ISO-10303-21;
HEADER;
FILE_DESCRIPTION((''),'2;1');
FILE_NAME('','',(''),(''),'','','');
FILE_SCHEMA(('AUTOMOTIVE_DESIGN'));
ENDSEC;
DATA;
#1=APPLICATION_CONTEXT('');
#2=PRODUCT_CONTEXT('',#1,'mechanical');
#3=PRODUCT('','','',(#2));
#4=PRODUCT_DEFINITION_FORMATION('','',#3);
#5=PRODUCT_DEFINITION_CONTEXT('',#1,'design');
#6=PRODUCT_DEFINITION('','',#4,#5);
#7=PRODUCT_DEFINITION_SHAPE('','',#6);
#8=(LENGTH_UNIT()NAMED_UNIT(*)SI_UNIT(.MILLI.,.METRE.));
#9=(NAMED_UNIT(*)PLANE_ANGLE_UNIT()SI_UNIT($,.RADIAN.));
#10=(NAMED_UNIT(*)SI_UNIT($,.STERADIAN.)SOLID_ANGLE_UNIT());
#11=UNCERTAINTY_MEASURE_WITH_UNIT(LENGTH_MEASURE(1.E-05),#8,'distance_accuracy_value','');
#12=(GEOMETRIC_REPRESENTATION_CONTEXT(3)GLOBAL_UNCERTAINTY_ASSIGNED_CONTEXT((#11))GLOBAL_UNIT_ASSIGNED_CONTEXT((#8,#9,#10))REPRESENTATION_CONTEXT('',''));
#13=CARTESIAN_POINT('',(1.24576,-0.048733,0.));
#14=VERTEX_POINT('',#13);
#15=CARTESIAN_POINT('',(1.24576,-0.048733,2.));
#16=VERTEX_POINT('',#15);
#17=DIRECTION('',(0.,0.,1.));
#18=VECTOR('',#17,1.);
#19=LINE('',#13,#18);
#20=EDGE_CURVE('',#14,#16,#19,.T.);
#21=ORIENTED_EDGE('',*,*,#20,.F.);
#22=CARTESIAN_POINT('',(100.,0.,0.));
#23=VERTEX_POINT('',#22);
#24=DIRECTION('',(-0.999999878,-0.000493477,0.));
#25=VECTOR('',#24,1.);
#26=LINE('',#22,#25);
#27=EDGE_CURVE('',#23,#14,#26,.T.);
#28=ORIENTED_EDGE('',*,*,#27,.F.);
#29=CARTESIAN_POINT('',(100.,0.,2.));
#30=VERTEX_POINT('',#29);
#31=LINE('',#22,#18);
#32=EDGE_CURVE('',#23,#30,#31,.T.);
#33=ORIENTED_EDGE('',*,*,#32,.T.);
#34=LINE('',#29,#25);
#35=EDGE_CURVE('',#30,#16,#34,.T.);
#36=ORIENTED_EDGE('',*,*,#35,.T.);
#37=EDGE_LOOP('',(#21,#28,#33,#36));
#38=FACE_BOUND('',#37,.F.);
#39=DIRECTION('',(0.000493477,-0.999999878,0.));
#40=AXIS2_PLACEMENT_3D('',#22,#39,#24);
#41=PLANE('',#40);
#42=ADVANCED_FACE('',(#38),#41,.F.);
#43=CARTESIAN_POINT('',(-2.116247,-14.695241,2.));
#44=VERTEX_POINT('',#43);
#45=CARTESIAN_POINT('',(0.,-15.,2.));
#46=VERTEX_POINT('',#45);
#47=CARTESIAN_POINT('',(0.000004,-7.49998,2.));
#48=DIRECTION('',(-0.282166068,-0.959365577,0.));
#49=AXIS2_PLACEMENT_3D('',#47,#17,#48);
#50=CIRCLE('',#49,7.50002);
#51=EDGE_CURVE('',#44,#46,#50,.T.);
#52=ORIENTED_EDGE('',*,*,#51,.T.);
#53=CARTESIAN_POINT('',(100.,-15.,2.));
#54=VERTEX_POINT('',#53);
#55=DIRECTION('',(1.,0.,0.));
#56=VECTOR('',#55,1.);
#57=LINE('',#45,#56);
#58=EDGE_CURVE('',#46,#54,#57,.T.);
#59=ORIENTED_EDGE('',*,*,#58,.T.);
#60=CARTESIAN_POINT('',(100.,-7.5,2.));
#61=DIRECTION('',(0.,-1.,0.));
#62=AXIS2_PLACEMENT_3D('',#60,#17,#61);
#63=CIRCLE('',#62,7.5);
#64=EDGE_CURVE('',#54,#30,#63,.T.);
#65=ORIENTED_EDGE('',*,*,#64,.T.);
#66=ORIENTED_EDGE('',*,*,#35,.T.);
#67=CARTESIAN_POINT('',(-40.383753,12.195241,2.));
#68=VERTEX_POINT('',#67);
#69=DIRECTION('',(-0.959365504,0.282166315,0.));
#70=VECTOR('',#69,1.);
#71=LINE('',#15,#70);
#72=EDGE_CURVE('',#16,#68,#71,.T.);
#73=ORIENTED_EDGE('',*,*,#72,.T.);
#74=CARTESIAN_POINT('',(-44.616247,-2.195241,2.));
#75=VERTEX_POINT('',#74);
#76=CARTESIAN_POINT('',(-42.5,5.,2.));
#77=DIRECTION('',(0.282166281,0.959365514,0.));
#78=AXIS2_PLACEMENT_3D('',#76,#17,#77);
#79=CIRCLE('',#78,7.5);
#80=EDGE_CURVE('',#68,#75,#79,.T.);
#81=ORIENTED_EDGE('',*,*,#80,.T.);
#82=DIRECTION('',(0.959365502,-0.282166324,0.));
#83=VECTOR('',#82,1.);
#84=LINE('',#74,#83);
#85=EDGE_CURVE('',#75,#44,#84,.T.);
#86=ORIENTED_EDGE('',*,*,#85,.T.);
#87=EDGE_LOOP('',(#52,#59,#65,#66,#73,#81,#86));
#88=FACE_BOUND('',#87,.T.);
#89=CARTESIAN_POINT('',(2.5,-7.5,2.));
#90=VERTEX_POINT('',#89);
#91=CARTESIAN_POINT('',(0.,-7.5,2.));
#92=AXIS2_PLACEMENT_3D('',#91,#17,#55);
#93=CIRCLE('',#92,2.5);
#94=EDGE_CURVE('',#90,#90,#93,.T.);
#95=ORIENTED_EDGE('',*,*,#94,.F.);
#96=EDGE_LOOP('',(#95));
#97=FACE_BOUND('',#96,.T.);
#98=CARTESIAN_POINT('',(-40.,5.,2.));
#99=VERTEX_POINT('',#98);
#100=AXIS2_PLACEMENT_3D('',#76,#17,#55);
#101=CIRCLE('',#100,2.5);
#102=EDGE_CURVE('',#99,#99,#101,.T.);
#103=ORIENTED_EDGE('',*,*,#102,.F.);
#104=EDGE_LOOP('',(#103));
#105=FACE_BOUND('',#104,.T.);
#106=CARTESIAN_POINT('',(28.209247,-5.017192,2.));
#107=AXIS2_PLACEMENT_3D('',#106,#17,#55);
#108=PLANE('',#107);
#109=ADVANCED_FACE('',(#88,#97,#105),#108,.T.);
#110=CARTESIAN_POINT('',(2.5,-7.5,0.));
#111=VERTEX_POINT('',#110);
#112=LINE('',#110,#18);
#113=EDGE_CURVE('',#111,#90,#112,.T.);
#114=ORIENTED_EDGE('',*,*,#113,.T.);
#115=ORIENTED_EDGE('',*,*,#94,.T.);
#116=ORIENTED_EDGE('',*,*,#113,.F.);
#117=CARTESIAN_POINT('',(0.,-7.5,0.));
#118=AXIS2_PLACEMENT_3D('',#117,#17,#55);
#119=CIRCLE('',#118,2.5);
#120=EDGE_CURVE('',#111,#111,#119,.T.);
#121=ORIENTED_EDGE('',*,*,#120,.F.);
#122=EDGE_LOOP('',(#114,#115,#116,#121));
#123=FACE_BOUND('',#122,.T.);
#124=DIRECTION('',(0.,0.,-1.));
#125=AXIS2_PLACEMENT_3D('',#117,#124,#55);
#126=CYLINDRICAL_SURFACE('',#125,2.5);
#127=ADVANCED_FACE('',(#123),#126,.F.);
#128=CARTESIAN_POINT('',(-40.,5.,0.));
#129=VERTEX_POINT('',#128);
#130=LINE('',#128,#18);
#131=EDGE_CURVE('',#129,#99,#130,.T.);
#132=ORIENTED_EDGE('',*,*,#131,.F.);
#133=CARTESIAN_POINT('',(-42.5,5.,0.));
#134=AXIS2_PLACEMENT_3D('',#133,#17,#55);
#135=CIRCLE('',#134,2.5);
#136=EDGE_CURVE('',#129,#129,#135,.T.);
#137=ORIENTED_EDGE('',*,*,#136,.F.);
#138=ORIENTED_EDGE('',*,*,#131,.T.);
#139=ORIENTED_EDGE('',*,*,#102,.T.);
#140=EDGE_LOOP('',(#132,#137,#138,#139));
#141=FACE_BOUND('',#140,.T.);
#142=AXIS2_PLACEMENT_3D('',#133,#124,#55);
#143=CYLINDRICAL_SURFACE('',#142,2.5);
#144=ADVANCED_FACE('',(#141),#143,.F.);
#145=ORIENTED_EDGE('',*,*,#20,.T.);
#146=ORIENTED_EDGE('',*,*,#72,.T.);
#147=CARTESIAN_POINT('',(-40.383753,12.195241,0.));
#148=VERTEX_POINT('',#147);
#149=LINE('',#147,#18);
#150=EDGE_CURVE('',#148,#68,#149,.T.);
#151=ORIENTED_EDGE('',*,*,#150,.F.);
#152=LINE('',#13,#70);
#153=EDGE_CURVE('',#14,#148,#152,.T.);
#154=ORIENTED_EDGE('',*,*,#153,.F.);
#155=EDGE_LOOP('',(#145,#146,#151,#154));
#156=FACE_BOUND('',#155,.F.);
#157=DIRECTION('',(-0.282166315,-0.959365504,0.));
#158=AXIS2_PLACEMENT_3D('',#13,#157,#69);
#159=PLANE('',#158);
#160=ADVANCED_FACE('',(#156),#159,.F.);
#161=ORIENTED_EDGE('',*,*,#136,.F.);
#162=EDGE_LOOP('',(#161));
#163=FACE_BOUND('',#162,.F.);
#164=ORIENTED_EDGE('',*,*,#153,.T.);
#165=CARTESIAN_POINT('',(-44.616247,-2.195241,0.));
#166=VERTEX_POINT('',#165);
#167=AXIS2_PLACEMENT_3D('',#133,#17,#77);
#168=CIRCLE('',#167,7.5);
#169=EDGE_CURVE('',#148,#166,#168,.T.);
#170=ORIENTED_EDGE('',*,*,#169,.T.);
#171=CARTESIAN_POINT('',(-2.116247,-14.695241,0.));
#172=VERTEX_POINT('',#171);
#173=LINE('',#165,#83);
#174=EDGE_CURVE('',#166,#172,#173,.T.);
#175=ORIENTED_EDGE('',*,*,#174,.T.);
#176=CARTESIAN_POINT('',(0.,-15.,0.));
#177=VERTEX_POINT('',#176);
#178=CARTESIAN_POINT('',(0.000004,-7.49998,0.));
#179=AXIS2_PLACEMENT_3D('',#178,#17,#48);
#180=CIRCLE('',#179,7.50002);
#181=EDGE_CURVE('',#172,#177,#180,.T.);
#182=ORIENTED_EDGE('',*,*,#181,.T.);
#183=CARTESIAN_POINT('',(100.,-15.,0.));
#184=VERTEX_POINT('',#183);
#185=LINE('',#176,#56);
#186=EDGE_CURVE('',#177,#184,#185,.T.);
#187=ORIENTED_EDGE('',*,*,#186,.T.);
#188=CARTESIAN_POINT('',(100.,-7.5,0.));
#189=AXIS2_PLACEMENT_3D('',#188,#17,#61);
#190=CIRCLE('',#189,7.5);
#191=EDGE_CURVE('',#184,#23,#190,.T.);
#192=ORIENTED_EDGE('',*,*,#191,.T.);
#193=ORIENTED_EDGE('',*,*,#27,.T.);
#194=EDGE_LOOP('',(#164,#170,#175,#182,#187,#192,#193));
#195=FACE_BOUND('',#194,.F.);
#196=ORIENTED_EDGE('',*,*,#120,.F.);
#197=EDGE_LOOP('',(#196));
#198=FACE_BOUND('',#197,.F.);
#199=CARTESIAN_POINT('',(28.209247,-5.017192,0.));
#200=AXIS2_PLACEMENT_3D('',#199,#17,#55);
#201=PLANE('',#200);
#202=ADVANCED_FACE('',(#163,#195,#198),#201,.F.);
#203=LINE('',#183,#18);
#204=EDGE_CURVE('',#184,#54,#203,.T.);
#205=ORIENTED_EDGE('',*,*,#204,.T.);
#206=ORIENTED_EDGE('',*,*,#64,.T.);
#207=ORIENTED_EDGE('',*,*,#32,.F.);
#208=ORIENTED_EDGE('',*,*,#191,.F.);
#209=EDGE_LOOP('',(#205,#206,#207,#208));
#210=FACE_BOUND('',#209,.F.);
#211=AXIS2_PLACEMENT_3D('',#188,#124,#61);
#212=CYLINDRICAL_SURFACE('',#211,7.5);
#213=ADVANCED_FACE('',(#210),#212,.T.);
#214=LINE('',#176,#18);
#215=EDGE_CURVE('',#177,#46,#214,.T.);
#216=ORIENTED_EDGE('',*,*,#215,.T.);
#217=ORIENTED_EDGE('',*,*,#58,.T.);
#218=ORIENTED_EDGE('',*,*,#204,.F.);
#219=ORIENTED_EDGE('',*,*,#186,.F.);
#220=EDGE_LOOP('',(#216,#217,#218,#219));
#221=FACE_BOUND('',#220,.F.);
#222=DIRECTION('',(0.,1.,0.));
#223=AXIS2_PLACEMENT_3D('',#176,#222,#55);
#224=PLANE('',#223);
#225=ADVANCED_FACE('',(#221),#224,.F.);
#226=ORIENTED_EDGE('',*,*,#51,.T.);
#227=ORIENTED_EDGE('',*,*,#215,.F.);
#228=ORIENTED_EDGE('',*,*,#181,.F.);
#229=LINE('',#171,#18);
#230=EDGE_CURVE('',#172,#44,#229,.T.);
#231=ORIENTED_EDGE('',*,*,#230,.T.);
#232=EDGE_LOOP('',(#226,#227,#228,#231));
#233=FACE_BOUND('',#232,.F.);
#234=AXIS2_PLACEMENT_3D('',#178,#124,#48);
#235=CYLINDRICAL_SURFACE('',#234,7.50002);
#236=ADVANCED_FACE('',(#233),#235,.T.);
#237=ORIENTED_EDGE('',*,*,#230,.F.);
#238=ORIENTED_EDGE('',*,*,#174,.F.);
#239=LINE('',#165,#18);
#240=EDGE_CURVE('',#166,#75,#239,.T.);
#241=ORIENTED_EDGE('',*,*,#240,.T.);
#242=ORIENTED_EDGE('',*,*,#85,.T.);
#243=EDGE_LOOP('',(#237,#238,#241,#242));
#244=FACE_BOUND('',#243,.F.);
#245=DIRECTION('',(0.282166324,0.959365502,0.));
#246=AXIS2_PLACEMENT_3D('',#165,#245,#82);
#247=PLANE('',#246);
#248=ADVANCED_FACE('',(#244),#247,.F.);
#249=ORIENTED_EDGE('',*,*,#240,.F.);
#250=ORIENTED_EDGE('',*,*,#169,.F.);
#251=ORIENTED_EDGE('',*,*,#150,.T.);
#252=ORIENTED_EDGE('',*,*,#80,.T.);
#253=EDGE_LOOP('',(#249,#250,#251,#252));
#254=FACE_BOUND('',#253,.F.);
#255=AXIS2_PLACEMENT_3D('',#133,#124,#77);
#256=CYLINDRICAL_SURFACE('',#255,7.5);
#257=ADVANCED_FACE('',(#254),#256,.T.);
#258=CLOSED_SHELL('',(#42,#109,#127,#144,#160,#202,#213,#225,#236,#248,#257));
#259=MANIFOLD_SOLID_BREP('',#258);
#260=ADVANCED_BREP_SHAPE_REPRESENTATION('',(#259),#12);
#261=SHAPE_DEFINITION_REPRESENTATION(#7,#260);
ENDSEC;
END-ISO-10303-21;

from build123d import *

# Parameters (mm, degrees)
F0_R     = 2.5
F1_DEPTH = 2


with BuildPart() as f1:
    # F0 (on Top) → F1 (new body)
    with BuildSketch(Plane.XY):
        with BuildLine():
            ThreePointArc((-2.116247, -14.695241), (-1.069039, -14.923419), (0, -15))
            Line((0, -15), (100, -15))
            ThreePointArc((100, -15), (107.5, -7.5), (100, 0))
            Line((100, 0), (1.24576, -0.048733))
            Line((1.24576, -0.048733), (-40.383753, 12.195241))
            ThreePointArc((-40.383753, 12.195241), (-49.695241, 7.116247), (-44.616247, -2.195241))
            Line((-44.616247, -2.195241), (-2.116247, -14.695241))
        make_face()
        with Locations((0, -7.5)):
            Circle(F0_R, mode=Mode.SUBTRACT)
        with Locations((-42.5, 5)):
            Circle(F0_R, mode=Mode.SUBTRACT)
    extrude(amount=F1_DEPTH)


solid = f1.part
